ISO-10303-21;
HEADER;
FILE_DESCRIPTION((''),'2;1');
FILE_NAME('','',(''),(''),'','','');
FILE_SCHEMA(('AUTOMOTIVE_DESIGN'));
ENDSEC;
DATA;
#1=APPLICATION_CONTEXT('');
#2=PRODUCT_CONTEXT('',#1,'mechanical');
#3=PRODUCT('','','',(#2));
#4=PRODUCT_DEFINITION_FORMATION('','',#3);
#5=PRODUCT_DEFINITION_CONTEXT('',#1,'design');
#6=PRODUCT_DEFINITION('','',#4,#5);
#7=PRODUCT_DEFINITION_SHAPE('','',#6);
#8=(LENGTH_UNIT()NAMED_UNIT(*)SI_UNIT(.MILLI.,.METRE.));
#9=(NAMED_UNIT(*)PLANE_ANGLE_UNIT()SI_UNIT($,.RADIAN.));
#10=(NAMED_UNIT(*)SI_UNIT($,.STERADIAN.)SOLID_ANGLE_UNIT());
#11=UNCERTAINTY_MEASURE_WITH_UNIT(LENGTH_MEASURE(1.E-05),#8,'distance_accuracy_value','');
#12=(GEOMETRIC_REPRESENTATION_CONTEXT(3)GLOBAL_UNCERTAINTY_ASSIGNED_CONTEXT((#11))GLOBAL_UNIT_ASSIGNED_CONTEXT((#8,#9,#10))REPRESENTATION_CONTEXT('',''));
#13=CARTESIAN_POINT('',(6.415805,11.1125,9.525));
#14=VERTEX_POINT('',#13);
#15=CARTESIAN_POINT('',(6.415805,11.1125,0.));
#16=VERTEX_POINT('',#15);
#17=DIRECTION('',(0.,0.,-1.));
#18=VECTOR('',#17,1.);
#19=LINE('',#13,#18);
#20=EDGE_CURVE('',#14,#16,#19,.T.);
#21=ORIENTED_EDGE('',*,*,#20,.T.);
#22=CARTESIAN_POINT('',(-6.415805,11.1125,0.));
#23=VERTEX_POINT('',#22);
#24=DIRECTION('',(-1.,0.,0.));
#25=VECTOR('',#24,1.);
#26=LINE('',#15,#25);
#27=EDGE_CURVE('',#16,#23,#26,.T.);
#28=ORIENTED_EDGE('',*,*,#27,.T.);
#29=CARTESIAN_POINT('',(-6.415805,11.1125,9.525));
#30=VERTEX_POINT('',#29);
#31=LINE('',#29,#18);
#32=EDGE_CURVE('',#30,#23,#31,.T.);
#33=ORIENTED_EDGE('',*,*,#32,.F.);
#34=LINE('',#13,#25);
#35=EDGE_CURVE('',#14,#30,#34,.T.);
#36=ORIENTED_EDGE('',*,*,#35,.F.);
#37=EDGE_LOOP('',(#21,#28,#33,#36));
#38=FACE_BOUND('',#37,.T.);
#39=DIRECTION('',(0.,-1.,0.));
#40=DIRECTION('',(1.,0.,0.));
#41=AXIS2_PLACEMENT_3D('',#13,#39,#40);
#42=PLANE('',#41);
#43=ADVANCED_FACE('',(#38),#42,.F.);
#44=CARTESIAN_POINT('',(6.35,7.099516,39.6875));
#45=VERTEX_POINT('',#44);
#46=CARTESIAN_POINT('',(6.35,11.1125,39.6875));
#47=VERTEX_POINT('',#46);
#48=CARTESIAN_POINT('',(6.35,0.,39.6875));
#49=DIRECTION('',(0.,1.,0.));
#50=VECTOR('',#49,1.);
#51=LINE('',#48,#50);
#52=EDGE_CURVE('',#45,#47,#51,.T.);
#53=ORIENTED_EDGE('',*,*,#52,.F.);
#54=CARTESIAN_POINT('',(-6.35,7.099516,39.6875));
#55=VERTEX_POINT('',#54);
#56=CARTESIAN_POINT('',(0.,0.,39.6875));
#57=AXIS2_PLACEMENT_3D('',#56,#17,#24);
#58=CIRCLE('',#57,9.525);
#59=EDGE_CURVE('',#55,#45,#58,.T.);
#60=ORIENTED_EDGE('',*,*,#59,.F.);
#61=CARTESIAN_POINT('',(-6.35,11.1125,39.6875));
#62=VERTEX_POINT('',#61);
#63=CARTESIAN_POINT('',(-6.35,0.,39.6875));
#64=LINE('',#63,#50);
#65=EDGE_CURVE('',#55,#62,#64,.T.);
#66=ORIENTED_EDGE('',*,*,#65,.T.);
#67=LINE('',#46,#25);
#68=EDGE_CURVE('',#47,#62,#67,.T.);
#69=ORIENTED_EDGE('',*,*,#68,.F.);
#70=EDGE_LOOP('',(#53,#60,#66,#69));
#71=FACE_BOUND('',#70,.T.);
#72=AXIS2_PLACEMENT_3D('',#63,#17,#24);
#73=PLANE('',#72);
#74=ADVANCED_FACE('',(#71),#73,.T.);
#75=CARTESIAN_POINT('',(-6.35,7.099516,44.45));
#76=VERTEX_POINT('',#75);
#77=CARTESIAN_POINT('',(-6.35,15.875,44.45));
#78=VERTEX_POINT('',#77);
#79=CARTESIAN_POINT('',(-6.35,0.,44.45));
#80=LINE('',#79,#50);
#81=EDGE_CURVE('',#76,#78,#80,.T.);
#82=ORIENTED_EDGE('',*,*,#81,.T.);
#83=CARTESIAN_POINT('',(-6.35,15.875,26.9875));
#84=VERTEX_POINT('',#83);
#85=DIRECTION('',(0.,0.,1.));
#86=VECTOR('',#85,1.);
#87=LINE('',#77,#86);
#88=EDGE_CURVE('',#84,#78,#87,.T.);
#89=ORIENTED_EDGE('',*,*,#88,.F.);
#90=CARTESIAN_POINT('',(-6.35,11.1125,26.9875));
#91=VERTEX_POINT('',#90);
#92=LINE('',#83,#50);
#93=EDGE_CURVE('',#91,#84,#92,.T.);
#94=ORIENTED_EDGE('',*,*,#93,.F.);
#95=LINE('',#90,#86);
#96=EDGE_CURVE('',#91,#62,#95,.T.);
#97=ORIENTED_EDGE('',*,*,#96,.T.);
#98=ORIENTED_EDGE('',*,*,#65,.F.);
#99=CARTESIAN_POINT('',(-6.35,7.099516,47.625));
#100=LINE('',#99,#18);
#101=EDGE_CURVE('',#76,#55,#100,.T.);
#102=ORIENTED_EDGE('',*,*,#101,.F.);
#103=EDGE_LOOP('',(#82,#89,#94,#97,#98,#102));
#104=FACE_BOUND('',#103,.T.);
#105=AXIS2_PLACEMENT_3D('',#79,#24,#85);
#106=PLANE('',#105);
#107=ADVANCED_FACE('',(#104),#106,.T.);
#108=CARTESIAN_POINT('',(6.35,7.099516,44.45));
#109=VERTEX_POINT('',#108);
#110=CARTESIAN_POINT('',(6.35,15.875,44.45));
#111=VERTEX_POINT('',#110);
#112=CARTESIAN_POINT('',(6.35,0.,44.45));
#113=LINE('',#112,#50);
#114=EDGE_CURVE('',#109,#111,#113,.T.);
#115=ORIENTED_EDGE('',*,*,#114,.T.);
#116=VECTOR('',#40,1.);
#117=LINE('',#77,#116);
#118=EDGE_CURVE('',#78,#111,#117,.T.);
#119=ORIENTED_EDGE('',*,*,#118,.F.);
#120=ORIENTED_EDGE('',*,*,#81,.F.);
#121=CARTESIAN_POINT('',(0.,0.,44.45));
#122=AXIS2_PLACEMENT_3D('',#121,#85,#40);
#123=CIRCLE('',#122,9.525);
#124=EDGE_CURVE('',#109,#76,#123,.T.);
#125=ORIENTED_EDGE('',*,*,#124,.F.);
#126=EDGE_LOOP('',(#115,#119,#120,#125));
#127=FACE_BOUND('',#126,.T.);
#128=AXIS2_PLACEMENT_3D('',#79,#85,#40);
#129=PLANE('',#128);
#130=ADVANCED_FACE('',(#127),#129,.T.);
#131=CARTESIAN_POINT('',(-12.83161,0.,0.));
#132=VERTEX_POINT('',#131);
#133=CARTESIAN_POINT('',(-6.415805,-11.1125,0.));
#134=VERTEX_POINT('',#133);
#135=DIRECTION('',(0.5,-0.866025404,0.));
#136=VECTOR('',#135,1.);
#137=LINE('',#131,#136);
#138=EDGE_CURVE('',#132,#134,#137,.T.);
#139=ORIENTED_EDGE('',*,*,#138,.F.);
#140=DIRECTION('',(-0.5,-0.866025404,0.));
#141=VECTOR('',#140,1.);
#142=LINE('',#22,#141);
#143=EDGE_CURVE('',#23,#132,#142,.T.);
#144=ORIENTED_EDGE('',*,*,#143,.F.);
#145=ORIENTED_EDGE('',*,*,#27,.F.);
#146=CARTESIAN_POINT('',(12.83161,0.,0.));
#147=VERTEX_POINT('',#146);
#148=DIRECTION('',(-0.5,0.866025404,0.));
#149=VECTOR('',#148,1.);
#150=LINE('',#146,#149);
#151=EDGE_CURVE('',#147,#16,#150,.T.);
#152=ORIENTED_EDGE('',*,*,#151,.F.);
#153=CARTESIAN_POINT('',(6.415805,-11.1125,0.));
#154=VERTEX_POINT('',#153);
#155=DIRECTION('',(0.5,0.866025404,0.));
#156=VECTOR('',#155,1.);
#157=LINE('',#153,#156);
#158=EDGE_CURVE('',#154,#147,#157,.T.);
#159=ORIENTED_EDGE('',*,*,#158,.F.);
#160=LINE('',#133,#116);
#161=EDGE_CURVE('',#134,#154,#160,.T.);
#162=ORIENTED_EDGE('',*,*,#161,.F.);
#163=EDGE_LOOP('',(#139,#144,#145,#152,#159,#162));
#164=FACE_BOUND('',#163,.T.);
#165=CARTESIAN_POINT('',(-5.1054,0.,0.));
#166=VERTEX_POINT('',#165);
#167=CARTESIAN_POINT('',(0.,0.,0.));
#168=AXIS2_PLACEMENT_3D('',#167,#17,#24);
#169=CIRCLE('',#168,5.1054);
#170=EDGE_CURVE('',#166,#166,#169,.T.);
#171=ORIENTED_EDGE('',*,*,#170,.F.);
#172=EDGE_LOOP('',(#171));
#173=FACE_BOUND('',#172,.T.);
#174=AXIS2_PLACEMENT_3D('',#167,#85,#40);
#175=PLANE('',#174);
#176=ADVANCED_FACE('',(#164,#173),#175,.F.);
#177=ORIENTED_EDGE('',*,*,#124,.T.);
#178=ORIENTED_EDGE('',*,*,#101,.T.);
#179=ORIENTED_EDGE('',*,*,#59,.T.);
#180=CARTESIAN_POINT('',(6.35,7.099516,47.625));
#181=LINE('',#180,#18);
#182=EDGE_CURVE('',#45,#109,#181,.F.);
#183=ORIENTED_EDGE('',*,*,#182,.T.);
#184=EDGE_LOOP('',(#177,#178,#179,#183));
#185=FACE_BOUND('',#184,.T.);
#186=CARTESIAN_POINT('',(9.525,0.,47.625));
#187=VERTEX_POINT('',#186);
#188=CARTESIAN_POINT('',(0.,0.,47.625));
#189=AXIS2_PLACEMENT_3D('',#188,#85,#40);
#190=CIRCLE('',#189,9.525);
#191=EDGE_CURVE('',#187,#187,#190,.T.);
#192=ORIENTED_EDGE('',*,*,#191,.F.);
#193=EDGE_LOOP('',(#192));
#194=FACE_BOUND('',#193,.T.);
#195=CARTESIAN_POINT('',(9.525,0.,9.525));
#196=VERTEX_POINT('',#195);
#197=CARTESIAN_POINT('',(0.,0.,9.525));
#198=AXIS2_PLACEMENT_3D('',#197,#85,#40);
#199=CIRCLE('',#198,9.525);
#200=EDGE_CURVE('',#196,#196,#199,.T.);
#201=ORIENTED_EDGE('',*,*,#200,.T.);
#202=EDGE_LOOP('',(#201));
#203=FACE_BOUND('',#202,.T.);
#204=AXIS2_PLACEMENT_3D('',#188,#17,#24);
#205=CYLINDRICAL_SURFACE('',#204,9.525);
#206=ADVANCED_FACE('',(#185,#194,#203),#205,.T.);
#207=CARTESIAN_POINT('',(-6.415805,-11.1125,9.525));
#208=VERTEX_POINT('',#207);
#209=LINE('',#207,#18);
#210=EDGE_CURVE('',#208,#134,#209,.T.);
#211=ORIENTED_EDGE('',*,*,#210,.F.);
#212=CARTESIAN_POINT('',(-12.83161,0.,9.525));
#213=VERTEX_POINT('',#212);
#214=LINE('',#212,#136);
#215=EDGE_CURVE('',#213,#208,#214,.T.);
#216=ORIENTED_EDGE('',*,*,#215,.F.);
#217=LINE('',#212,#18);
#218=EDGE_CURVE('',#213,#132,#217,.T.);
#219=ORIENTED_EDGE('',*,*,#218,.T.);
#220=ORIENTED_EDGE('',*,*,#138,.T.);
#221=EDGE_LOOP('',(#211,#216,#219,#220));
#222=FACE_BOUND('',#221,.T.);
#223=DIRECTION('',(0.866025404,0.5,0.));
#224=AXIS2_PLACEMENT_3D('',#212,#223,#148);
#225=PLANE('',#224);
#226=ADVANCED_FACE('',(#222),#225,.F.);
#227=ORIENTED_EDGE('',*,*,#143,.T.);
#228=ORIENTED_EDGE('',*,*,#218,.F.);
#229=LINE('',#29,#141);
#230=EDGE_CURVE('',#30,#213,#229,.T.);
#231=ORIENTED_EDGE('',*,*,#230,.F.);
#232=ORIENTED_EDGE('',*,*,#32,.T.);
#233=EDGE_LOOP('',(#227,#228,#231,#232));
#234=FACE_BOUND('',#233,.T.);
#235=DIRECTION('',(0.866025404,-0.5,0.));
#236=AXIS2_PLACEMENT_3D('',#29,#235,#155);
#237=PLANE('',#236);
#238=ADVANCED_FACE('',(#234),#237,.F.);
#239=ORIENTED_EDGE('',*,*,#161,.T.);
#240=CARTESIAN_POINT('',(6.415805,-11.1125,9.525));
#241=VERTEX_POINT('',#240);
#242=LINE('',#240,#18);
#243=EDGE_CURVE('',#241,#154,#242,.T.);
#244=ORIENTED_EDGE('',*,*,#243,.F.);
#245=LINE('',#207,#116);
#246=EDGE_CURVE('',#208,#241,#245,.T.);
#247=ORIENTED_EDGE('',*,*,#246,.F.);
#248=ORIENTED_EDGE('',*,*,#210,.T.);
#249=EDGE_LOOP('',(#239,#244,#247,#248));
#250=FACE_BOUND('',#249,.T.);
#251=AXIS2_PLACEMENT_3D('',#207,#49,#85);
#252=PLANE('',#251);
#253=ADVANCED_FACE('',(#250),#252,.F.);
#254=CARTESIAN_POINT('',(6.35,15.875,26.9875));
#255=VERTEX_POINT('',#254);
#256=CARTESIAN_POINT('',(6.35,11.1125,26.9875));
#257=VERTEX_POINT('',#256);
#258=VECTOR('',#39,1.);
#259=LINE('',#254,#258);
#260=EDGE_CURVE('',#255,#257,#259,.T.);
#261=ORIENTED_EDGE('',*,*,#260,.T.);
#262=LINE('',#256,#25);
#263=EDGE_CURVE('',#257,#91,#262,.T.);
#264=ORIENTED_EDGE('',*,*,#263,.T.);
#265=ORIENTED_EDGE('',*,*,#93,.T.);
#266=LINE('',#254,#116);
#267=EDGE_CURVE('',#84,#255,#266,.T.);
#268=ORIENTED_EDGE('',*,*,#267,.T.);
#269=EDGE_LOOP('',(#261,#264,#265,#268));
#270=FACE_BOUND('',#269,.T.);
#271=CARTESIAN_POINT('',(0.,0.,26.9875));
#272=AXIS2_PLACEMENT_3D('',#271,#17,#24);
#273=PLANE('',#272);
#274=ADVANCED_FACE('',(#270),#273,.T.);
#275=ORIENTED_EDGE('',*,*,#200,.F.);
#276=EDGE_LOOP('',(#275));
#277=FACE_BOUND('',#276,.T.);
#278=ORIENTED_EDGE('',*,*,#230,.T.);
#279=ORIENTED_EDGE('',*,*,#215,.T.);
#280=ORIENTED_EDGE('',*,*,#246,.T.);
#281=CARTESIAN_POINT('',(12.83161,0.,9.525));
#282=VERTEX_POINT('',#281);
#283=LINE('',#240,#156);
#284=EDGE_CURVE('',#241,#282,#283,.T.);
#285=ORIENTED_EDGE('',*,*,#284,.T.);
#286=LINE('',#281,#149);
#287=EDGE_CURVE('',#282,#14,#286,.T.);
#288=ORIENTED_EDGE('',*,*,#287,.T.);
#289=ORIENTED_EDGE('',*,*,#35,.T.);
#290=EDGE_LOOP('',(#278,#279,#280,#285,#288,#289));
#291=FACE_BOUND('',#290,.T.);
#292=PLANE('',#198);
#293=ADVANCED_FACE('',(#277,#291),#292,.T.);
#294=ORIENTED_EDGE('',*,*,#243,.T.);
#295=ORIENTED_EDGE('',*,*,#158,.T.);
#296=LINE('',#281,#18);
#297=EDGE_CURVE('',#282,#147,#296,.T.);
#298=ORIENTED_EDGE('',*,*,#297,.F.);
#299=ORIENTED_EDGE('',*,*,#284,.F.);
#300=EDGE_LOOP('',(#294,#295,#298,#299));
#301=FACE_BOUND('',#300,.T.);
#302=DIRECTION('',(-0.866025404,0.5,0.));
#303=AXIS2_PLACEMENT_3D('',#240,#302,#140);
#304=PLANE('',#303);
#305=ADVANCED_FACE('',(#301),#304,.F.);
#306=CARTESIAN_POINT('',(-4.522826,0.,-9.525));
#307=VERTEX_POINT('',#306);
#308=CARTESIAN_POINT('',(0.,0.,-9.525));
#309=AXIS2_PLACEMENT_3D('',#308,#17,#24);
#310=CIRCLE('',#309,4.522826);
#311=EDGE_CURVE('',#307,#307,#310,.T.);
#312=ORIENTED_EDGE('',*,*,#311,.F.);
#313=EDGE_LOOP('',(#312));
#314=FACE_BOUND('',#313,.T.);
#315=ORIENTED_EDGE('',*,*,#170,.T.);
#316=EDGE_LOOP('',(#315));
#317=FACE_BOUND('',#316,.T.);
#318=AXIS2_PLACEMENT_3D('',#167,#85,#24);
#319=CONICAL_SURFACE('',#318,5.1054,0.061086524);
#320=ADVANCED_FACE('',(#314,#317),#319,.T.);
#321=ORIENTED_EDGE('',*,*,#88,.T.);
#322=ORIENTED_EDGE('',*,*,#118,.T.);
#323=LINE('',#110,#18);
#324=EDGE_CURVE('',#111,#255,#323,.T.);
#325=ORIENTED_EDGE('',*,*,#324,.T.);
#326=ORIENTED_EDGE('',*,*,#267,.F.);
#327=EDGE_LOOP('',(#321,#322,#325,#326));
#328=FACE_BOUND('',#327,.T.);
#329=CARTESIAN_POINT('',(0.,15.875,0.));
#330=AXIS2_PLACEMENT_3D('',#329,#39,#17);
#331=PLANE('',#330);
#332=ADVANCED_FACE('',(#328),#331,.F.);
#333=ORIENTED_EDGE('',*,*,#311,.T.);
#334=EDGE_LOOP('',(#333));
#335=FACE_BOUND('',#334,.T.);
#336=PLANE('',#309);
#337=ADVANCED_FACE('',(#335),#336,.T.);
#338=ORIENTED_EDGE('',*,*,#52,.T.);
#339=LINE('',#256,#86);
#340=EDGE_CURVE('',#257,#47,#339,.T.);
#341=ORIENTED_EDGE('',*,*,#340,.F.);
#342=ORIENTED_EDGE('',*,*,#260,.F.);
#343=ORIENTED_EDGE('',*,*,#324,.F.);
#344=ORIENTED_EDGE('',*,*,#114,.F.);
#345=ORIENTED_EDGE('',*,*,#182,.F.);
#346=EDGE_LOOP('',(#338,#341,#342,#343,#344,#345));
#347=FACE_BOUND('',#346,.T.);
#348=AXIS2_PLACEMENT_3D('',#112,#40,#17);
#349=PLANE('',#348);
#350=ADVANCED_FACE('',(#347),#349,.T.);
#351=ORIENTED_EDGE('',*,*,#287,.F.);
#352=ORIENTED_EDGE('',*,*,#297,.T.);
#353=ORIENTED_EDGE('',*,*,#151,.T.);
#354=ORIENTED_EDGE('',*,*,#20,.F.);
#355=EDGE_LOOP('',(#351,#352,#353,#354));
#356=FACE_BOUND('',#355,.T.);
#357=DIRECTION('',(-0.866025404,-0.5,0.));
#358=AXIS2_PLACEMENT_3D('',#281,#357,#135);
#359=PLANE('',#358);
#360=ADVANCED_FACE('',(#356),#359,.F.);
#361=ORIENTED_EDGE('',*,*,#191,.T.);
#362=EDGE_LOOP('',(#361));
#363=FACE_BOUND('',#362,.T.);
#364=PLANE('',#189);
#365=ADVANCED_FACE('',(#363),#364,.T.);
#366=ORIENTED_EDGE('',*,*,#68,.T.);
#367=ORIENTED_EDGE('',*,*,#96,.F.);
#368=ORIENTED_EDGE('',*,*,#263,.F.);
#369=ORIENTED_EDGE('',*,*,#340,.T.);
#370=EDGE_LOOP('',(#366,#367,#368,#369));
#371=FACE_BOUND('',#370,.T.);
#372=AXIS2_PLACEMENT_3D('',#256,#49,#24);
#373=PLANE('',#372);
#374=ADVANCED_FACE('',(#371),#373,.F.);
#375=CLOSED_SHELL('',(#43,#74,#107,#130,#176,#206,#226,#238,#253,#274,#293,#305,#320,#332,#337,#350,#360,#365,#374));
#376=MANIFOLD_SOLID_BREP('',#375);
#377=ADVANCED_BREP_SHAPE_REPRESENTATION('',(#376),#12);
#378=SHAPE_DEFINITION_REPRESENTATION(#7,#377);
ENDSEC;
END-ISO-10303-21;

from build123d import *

# Parameters (mm, degrees)
BOSS_EXTRUDE1_DEPTH      = 9.525
SKETCH2_R                = 5.1054
BOSS_EXTRUDE2_DEPTH      = 9.525
BOSS_EXTRUDE2_TAPER      = 3.5
SKETCH3_R                = 9.525
BOSS_EXTRUDE3_DEPTH      = 38.1
BOSS_EXTRUDE5_DEPTH      = 6.35
BOSS_EXTRUDE5_DEPTH_BACK = 9.525
SKETCH5_W                = 12.7
SKETCH5_H                = 4.7625
SKETCH6_W                = 12.7
SKETCH6_H                = 4.7625
BOSS_EXTRUDE6_DEPTH      = 12.7


with BuildPart() as part:
    # Sketch1 → Boss-Extrude1 (new body)
    with BuildSketch(Plane.XY):
        Polygon((6.415804866, 11.1125), (-6.415804866, 11.1125), (-12.831609733, 0), (-6.415804866, -11.1125), (6.415804866, -11.1125), (12.831609733, 0), align=None)
    extrude(amount=BOSS_EXTRUDE1_DEPTH)

    # Sketch2 → Boss-Extrude2 (add)
    with BuildSketch(Plane(origin=(0, 0, 0), x_dir=(-1, 0, 0), z_dir=(0, 0, -1))):
        Circle(SKETCH2_R)
    extrude(amount=BOSS_EXTRUDE2_DEPTH, taper=BOSS_EXTRUDE2_TAPER)

    # Sketch3 → Boss-Extrude3 (add)
    with BuildSketch(Plane.XY.offset(9.525)):
        with Locations(Location((0, 0, 0), (0, 0, 180))):
            Circle(SKETCH3_R)
    extrude(amount=BOSS_EXTRUDE3_DEPTH)

    # Sketch5 → Boss-Extrude5 (add, two sides: drawn at the far end of the back side and taken through both)
    with BuildSketch(Plane(origin=(0, 9.525, 0), x_dir=(1, 0, 0), z_dir=(0, 1, 0)).offset(-BOSS_EXTRUDE5_DEPTH_BACK)):
        with Locations((0, -42.06875)):
            Rectangle(SKETCH5_W, SKETCH5_H)
    extrude(amount=BOSS_EXTRUDE5_DEPTH + BOSS_EXTRUDE5_DEPTH_BACK)

    # Sketch6 → Boss-Extrude6 (add)
    with BuildSketch(Plane(origin=(0, 0, 39.6875), x_dir=(-1, 0, 0), z_dir=(0, 0, -1))):
        with Locations((0, 13.49375)):
            Rectangle(SKETCH6_W, SKETCH6_H)
    extrude(amount=BOSS_EXTRUDE6_DEPTH)


solid = part.part
